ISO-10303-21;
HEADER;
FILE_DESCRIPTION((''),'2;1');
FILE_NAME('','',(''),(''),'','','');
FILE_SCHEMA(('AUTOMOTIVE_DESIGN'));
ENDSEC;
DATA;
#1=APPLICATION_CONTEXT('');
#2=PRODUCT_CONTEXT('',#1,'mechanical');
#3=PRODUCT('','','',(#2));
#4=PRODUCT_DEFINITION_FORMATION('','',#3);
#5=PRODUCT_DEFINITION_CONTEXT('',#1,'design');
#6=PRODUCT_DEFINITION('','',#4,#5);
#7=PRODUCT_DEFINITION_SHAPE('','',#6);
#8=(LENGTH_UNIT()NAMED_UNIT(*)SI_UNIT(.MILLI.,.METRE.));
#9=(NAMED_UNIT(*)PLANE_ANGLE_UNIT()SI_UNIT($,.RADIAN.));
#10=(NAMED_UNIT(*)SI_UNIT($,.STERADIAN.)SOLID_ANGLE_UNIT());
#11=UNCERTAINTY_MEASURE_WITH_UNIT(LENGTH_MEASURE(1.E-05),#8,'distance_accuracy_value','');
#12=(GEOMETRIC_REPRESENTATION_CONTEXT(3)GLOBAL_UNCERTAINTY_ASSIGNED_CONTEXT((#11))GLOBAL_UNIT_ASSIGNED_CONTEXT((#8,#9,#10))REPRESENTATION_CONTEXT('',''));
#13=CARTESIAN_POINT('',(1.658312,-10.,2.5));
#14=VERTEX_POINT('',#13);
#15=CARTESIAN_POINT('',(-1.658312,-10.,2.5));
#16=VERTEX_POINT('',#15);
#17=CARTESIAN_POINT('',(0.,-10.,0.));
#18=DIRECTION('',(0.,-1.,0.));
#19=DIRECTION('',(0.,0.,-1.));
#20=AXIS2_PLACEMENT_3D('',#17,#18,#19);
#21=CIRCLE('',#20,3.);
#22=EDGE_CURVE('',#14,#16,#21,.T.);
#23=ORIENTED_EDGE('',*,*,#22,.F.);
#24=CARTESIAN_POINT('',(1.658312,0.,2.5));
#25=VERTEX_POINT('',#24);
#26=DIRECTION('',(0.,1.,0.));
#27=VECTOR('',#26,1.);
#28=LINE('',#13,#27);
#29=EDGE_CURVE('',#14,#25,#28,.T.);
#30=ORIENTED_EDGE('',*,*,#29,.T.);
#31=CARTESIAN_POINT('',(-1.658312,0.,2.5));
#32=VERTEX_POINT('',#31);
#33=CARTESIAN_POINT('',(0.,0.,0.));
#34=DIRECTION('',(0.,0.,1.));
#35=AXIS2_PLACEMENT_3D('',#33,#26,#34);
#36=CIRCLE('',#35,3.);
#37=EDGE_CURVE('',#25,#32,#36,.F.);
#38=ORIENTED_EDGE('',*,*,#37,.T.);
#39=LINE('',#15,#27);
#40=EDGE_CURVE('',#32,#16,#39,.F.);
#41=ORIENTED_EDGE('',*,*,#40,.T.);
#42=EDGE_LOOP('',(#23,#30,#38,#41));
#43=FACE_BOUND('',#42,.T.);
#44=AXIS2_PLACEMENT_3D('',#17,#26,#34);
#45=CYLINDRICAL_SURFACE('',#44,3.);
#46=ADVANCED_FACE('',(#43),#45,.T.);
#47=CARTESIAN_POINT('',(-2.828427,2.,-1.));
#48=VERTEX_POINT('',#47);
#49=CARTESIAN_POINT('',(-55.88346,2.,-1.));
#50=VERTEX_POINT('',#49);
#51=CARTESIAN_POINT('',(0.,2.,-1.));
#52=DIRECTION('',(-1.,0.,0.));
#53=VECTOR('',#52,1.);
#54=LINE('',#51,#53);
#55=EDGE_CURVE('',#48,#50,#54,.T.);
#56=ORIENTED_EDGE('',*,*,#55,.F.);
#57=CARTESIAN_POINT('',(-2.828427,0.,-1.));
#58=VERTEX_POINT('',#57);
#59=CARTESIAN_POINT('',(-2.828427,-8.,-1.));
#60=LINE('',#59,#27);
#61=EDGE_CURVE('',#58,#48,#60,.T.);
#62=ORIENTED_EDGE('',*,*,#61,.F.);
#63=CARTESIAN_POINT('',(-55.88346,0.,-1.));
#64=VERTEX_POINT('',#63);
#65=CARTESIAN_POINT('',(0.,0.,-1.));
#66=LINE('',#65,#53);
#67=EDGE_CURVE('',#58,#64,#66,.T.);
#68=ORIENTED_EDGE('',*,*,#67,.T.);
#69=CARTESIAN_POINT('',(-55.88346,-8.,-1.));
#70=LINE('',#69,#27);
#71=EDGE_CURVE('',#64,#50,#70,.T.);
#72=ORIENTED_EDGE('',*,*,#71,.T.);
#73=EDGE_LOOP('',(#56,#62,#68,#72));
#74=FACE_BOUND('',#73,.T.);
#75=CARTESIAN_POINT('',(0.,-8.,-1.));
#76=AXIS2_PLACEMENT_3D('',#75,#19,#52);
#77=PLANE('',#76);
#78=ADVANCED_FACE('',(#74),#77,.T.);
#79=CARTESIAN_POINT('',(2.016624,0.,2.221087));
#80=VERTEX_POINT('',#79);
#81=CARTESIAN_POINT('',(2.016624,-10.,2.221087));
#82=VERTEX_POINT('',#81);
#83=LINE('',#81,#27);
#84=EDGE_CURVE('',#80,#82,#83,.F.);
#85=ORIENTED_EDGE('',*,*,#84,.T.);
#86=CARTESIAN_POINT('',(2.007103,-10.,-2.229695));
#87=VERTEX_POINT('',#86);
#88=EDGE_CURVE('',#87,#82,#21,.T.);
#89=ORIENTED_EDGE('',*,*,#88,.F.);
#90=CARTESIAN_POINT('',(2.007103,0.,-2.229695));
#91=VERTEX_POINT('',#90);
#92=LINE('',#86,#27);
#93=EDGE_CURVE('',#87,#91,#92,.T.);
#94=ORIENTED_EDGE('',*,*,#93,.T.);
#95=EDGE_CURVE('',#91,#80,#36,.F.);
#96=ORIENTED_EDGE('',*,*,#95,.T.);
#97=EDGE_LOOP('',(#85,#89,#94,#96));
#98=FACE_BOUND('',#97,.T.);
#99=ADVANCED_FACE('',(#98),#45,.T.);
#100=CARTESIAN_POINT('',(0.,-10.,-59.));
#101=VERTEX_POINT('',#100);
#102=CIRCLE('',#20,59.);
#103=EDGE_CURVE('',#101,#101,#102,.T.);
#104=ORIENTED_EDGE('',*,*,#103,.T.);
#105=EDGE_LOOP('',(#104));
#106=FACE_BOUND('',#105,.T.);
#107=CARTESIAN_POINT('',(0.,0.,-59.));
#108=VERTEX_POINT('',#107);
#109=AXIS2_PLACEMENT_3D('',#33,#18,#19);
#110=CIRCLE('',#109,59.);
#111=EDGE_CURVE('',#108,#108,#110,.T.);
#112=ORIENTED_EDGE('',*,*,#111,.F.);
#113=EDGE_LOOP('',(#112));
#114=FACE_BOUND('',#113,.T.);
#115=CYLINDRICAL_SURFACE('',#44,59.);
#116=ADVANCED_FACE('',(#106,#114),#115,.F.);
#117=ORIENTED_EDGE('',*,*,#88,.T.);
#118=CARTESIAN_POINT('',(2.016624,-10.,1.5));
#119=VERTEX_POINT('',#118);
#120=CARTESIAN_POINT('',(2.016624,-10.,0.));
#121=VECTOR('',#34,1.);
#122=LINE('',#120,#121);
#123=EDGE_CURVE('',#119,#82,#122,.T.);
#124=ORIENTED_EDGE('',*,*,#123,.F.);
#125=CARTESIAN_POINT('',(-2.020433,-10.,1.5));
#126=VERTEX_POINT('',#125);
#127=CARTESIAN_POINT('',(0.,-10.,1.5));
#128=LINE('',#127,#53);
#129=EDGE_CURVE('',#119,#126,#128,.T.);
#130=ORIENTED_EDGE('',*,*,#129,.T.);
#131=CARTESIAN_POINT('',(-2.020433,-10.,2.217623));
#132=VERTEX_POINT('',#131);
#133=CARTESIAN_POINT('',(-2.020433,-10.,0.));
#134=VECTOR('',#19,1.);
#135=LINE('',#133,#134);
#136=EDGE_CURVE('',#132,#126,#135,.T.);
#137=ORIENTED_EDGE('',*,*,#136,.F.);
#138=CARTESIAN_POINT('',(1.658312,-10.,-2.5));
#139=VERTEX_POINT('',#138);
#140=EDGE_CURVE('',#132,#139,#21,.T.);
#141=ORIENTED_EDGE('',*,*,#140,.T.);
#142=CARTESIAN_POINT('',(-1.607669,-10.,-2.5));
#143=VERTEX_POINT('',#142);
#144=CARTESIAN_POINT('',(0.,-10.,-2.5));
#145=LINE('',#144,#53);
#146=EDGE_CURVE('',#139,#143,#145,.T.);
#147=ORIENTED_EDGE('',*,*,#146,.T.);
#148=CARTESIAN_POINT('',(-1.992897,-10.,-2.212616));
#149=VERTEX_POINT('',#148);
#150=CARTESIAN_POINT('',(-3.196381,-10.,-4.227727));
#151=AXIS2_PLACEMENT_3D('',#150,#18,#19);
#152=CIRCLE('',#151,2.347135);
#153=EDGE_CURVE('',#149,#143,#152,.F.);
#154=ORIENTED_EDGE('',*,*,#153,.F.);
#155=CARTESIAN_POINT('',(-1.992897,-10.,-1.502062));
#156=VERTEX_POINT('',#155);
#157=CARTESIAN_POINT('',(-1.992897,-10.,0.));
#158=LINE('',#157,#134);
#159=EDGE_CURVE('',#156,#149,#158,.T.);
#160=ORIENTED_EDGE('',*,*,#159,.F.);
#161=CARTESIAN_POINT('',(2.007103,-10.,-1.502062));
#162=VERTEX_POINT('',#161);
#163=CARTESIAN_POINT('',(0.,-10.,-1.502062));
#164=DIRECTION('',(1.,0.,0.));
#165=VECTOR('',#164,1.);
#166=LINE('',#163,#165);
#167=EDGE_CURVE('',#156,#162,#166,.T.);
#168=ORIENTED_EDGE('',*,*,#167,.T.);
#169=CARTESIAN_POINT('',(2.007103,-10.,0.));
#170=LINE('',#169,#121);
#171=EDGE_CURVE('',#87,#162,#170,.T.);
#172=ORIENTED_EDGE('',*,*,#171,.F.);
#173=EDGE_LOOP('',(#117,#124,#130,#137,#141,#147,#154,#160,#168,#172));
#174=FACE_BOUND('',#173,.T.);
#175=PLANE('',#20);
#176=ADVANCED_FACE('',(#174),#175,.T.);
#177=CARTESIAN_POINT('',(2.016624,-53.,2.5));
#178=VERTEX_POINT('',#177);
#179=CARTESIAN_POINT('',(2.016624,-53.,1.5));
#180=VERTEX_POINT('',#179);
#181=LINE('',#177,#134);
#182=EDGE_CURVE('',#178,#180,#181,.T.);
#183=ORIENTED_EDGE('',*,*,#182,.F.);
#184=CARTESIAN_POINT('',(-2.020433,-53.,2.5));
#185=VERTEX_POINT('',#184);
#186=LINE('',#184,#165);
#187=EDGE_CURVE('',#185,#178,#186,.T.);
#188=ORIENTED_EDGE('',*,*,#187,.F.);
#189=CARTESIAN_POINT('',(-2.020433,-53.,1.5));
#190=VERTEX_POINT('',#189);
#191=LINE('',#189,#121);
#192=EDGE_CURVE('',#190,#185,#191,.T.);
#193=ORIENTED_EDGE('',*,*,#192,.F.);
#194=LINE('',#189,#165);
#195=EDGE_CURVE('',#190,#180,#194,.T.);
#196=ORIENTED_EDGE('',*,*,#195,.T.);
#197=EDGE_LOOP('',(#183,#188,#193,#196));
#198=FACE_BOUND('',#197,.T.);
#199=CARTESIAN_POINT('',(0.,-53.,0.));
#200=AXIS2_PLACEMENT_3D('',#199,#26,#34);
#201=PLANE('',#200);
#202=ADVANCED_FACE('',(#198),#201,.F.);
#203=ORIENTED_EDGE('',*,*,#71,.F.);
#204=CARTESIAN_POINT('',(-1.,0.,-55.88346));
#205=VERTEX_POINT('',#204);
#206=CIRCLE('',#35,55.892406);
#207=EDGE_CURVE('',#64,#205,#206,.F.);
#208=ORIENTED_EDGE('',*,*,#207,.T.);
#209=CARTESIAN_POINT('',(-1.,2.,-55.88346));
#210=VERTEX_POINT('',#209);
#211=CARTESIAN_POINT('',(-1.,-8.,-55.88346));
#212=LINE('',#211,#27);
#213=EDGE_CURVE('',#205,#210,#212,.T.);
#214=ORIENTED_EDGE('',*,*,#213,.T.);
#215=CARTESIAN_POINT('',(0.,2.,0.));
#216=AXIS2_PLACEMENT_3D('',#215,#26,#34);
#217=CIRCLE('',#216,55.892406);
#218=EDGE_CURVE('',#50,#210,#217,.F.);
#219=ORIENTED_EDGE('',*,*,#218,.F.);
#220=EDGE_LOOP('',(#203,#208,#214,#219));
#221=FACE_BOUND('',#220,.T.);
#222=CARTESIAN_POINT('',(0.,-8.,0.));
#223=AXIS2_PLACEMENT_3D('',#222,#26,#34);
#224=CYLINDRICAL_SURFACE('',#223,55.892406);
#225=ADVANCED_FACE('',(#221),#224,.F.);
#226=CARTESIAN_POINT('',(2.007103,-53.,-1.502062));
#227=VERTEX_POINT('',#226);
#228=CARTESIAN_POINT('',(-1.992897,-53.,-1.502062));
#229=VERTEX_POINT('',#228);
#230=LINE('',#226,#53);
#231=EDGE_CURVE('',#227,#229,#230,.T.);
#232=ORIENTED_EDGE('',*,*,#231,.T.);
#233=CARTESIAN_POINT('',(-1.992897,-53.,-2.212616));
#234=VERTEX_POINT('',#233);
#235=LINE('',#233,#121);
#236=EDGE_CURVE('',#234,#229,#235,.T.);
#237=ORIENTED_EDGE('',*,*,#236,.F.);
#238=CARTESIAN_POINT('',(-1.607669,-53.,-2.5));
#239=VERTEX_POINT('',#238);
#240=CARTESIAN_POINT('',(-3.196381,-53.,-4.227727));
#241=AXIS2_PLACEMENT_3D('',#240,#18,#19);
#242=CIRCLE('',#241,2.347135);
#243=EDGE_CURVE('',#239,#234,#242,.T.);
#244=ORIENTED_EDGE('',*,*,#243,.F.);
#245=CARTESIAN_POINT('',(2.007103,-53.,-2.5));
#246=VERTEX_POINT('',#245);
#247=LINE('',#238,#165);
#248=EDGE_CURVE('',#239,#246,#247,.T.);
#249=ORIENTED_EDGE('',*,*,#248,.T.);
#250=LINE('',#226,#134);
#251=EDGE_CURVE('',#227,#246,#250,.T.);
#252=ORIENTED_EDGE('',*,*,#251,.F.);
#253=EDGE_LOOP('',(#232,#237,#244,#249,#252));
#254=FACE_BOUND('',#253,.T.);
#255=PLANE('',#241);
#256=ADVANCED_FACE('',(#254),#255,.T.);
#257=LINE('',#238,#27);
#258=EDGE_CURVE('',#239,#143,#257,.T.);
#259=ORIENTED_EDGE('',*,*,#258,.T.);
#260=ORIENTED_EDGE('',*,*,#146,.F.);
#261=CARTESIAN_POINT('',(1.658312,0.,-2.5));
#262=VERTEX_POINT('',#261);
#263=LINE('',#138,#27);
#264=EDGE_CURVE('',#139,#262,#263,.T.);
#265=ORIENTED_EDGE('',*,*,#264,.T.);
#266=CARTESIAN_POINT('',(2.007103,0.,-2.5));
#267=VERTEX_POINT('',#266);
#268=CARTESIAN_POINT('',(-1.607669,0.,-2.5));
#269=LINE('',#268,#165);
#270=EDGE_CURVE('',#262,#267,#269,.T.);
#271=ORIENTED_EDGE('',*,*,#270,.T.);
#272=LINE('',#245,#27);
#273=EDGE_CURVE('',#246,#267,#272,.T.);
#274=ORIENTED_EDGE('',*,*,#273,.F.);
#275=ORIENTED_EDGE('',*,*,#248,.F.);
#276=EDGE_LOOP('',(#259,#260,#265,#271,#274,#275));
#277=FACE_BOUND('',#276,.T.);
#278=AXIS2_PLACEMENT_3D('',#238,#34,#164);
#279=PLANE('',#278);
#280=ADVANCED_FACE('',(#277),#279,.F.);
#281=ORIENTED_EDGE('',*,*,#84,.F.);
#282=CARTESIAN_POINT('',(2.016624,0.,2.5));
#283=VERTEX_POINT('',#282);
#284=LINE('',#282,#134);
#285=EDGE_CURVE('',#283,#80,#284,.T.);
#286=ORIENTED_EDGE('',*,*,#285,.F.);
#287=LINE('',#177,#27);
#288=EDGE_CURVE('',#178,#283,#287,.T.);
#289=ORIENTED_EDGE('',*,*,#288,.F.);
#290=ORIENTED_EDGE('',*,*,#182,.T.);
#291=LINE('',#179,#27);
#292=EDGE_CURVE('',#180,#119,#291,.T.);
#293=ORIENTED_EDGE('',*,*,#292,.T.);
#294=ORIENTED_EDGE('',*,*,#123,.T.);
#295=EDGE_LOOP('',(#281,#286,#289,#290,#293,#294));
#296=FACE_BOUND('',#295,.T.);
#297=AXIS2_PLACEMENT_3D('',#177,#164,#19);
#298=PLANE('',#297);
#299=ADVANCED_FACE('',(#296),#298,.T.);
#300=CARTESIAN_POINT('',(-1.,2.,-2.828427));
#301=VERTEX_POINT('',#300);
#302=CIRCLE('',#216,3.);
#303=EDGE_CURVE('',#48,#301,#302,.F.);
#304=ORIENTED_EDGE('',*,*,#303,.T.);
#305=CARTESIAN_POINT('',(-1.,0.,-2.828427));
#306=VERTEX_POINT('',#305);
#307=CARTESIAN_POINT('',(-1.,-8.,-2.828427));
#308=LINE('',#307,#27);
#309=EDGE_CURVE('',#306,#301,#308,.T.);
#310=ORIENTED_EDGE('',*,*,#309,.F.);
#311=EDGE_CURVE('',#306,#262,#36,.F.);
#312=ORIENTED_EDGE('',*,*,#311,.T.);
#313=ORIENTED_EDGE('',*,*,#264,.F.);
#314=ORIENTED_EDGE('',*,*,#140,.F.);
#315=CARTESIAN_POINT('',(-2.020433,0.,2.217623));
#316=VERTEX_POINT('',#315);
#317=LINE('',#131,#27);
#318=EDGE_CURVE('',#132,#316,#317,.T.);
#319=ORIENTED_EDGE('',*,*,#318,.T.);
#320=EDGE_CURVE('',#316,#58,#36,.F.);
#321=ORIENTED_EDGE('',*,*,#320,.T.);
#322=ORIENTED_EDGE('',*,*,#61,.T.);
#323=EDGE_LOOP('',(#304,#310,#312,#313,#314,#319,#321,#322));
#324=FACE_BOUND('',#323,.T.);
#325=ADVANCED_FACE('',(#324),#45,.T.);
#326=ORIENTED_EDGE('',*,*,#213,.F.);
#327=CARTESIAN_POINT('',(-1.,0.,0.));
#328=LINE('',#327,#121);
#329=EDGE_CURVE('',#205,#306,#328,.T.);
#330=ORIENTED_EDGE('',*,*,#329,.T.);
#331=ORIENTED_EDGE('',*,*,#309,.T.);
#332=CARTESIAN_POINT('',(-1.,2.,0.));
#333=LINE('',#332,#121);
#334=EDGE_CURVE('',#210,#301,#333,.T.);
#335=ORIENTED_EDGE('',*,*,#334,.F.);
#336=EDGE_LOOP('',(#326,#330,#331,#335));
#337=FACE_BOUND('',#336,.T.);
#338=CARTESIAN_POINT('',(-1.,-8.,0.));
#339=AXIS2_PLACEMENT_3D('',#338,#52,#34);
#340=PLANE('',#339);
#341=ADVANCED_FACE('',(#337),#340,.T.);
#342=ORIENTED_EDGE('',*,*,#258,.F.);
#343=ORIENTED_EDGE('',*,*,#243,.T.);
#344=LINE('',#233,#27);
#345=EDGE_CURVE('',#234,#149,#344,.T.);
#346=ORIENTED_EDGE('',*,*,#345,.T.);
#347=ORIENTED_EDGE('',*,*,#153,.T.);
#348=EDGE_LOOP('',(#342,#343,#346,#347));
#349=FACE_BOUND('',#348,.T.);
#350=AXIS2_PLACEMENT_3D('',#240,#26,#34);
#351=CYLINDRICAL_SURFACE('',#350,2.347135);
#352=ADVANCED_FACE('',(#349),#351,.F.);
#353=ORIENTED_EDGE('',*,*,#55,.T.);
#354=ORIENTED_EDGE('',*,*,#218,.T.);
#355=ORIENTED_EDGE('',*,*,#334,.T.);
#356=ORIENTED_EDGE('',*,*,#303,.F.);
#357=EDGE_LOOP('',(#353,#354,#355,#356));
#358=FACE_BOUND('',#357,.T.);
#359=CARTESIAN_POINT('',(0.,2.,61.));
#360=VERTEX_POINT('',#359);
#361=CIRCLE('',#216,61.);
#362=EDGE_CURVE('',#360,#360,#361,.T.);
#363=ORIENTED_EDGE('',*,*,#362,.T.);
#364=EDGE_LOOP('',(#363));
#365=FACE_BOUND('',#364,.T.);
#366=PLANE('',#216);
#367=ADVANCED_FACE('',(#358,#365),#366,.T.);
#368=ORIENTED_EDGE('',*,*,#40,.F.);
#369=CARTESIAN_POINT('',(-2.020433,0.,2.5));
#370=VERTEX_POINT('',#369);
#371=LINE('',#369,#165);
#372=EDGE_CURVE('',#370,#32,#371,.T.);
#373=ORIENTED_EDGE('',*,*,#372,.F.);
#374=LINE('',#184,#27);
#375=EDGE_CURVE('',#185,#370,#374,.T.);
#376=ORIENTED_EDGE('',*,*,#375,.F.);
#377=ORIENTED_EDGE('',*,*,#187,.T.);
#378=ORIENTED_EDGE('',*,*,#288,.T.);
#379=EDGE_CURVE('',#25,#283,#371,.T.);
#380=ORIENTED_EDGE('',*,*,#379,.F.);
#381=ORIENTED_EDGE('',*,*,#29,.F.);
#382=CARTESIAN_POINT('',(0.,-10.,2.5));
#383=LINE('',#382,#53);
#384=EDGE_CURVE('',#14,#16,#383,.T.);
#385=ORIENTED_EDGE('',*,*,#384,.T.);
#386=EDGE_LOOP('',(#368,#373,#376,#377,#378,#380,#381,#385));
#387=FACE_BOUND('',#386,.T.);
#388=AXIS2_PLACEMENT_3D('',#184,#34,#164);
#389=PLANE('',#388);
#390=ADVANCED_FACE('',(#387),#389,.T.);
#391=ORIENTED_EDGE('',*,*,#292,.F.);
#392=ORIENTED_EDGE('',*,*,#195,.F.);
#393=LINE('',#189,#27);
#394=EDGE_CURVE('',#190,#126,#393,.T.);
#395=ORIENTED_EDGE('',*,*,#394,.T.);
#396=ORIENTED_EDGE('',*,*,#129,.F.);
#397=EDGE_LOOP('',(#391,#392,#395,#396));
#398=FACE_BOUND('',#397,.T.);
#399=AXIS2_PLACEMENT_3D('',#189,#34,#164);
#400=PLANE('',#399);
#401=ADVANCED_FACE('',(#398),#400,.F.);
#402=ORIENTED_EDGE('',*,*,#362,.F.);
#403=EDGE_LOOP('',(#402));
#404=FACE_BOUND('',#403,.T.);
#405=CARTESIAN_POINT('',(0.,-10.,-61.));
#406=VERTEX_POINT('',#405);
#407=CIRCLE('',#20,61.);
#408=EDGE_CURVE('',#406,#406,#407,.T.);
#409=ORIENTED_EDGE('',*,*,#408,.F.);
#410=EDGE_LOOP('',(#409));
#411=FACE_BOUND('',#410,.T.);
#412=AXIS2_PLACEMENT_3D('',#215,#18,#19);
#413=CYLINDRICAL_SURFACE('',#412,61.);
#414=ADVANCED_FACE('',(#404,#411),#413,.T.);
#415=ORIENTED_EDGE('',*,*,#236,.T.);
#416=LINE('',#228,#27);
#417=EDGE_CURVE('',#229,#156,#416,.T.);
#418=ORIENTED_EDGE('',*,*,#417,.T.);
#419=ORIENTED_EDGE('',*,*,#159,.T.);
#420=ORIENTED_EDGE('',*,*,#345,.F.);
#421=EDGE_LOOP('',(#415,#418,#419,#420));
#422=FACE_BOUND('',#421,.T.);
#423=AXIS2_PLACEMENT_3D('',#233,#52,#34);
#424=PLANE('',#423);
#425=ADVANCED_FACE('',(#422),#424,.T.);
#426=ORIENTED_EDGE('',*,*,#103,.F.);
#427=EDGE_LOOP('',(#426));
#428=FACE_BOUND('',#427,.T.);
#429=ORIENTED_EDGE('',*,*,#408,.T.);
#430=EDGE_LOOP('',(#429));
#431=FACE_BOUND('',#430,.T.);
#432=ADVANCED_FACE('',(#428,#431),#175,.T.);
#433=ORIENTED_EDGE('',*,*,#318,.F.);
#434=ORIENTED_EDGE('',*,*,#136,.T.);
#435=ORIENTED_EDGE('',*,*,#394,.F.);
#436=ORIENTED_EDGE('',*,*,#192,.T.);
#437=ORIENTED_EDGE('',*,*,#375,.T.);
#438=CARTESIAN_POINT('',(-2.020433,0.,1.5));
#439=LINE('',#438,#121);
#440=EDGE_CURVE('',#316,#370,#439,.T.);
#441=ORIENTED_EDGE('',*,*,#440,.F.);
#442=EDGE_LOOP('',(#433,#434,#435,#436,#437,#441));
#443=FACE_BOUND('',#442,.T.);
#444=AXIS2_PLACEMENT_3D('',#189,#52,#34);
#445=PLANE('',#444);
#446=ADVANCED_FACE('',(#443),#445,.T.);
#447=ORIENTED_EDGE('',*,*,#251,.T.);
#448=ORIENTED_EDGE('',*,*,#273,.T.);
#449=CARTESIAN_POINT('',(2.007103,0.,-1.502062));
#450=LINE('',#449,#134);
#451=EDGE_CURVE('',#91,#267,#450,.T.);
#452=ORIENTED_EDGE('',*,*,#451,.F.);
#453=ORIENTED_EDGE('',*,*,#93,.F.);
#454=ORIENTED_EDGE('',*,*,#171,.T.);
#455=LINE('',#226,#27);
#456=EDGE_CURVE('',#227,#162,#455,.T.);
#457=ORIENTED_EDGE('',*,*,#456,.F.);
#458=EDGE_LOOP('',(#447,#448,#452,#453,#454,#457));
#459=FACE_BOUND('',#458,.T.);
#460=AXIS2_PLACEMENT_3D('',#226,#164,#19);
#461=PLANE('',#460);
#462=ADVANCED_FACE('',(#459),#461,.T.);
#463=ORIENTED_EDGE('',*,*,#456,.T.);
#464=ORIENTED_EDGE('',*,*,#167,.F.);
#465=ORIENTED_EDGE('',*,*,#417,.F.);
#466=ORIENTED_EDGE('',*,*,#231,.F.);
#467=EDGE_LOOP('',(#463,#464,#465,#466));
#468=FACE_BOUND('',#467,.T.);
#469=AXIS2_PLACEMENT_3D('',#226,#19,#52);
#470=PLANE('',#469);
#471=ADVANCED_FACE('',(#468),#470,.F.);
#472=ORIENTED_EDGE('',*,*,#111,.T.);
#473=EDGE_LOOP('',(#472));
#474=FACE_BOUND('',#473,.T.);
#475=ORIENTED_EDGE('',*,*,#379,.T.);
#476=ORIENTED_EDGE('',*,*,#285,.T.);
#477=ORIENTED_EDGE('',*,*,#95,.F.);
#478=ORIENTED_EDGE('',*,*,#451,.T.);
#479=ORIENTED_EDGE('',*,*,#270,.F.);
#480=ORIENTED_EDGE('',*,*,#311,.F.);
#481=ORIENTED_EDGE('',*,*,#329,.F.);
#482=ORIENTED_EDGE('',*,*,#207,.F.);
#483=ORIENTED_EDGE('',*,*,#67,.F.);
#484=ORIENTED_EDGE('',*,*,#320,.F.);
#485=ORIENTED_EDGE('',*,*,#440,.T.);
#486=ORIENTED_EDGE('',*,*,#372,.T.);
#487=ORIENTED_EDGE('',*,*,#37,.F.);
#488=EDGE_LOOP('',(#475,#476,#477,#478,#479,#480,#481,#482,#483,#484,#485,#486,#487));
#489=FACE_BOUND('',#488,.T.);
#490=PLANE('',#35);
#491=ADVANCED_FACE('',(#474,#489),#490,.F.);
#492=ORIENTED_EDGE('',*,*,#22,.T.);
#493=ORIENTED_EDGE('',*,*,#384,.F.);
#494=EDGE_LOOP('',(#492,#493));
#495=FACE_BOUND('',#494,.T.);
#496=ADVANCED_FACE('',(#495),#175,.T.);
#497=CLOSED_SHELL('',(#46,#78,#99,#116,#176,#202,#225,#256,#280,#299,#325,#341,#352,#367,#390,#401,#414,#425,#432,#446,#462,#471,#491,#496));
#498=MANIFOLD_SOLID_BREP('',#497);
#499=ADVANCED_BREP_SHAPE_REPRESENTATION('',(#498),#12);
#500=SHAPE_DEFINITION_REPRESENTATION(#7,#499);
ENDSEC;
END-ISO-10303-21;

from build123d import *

# Parameters (mm, degrees)
ESQUISSE1_R             = 61
BOSS_EXTRU_1_DEPTH      = 2
BOSS_EXTRU_2_START      = 10
ESQUISSE2_R             = 61
ESQUISSE2_R_2           = 59
BOSS_EXTRU_2_DEPTH      = 10
ESQUISSE3_R             = 3
BOSS_EXTRU_3_DEPTH      = 10
ENL_V_MAT_EXTRU_6_DEPTH = 10
ESQUISSE7_W             = 4.037056784
ESQUISSE7_H             = 1
BOSS_EXTRU_4_DEPTH      = 53


with BuildPart() as part:
    # Esquisse1 → Boss.-Extru.1 (new body)
    with BuildSketch(Plane(origin=(0, 0, 0), x_dir=(1, 0, 0), z_dir=(0, 1, 0))):
        with Locations(Location((0, 0, 0), (0, 0, 270))):
            Circle(ESQUISSE1_R)
    extrude(amount=BOSS_EXTRU_1_DEPTH)

    # Esquisse2 → Boss.-Extru.2 (add)
    with BuildSketch(Plane(origin=(0, 0, 0), x_dir=(-1, 0, 0), z_dir=(0, -1, 0)).offset(BOSS_EXTRU_2_START)):
        with Locations(Location((0, 0, 0), (0, 0, 90))):
            Circle(ESQUISSE2_R)
        with Locations(Location((0, 0, 0), (0, 0, 90))):
            Circle(ESQUISSE2_R_2, mode=Mode.SUBTRACT)
    extrude(amount=-BOSS_EXTRU_2_DEPTH)

    # Esquisse3 → Boss.-Extru.3 (add)
    with BuildSketch(Plane(origin=(0, 0, 0), x_dir=(-1, 0, 0), z_dir=(0, -1, 0))):
        with Locations(Location((0, 0, 0), (0, 0, 270))):
            Circle(ESQUISSE3_R)
    extrude(amount=BOSS_EXTRU_3_DEPTH)

    # Esquisse5 → Enlèv. mat.-Extru.6 (cut)
    with BuildSketch(Plane(origin=(0, 2, 0), x_dir=(1, 0, 0), z_dir=(0, 1, 0))):
        with BuildLine():
            ThreePointArc((-55.883459525, 1), (-39.521899299, 39.521899299), (-1, 55.883459525))
            Line((-1, 55.883459525), (-1, 2.828427125))
            ThreePointArc((-1, 2.828427125), (-2.121320344, 2.121320344), (-2.828427125, 1))
            Line((-2.828427125, 1), (-55.883459525, 1))
        make_face()
    extrude(amount=-ENL_V_MAT_EXTRU_6_DEPTH, mode=Mode.SUBTRACT)

    # Esquisse7 → Boss.-Extru.4 (add)
    with BuildSketch(Plane(origin=(0, 0, 0), x_dir=(-1, 0, 0), z_dir=(0, -1, 0))):
        with Locations((0.001904175, -2)):
            Rectangle(ESQUISSE7_W, ESQUISSE7_H)
        with BuildLine():
            Line((-2.007102857, 1.502061623), (-2.007102857, 2.5))
            Line((-2.007102857, 2.5), (1.607669388, 2.5))
            ThreePointArc((1.607669388, 2.5), (1.792908074, 2.346421898), (1.992897143, 2.212616159))
            Line((1.992897143, 2.212616159), (1.992897143, 1.502061623))
            Line((1.992897143, 1.502061623), (-2.007102857, 1.502061623))
        make_face()
    extrude(amount=BOSS_EXTRU_4_DEPTH)


solid = part.part
